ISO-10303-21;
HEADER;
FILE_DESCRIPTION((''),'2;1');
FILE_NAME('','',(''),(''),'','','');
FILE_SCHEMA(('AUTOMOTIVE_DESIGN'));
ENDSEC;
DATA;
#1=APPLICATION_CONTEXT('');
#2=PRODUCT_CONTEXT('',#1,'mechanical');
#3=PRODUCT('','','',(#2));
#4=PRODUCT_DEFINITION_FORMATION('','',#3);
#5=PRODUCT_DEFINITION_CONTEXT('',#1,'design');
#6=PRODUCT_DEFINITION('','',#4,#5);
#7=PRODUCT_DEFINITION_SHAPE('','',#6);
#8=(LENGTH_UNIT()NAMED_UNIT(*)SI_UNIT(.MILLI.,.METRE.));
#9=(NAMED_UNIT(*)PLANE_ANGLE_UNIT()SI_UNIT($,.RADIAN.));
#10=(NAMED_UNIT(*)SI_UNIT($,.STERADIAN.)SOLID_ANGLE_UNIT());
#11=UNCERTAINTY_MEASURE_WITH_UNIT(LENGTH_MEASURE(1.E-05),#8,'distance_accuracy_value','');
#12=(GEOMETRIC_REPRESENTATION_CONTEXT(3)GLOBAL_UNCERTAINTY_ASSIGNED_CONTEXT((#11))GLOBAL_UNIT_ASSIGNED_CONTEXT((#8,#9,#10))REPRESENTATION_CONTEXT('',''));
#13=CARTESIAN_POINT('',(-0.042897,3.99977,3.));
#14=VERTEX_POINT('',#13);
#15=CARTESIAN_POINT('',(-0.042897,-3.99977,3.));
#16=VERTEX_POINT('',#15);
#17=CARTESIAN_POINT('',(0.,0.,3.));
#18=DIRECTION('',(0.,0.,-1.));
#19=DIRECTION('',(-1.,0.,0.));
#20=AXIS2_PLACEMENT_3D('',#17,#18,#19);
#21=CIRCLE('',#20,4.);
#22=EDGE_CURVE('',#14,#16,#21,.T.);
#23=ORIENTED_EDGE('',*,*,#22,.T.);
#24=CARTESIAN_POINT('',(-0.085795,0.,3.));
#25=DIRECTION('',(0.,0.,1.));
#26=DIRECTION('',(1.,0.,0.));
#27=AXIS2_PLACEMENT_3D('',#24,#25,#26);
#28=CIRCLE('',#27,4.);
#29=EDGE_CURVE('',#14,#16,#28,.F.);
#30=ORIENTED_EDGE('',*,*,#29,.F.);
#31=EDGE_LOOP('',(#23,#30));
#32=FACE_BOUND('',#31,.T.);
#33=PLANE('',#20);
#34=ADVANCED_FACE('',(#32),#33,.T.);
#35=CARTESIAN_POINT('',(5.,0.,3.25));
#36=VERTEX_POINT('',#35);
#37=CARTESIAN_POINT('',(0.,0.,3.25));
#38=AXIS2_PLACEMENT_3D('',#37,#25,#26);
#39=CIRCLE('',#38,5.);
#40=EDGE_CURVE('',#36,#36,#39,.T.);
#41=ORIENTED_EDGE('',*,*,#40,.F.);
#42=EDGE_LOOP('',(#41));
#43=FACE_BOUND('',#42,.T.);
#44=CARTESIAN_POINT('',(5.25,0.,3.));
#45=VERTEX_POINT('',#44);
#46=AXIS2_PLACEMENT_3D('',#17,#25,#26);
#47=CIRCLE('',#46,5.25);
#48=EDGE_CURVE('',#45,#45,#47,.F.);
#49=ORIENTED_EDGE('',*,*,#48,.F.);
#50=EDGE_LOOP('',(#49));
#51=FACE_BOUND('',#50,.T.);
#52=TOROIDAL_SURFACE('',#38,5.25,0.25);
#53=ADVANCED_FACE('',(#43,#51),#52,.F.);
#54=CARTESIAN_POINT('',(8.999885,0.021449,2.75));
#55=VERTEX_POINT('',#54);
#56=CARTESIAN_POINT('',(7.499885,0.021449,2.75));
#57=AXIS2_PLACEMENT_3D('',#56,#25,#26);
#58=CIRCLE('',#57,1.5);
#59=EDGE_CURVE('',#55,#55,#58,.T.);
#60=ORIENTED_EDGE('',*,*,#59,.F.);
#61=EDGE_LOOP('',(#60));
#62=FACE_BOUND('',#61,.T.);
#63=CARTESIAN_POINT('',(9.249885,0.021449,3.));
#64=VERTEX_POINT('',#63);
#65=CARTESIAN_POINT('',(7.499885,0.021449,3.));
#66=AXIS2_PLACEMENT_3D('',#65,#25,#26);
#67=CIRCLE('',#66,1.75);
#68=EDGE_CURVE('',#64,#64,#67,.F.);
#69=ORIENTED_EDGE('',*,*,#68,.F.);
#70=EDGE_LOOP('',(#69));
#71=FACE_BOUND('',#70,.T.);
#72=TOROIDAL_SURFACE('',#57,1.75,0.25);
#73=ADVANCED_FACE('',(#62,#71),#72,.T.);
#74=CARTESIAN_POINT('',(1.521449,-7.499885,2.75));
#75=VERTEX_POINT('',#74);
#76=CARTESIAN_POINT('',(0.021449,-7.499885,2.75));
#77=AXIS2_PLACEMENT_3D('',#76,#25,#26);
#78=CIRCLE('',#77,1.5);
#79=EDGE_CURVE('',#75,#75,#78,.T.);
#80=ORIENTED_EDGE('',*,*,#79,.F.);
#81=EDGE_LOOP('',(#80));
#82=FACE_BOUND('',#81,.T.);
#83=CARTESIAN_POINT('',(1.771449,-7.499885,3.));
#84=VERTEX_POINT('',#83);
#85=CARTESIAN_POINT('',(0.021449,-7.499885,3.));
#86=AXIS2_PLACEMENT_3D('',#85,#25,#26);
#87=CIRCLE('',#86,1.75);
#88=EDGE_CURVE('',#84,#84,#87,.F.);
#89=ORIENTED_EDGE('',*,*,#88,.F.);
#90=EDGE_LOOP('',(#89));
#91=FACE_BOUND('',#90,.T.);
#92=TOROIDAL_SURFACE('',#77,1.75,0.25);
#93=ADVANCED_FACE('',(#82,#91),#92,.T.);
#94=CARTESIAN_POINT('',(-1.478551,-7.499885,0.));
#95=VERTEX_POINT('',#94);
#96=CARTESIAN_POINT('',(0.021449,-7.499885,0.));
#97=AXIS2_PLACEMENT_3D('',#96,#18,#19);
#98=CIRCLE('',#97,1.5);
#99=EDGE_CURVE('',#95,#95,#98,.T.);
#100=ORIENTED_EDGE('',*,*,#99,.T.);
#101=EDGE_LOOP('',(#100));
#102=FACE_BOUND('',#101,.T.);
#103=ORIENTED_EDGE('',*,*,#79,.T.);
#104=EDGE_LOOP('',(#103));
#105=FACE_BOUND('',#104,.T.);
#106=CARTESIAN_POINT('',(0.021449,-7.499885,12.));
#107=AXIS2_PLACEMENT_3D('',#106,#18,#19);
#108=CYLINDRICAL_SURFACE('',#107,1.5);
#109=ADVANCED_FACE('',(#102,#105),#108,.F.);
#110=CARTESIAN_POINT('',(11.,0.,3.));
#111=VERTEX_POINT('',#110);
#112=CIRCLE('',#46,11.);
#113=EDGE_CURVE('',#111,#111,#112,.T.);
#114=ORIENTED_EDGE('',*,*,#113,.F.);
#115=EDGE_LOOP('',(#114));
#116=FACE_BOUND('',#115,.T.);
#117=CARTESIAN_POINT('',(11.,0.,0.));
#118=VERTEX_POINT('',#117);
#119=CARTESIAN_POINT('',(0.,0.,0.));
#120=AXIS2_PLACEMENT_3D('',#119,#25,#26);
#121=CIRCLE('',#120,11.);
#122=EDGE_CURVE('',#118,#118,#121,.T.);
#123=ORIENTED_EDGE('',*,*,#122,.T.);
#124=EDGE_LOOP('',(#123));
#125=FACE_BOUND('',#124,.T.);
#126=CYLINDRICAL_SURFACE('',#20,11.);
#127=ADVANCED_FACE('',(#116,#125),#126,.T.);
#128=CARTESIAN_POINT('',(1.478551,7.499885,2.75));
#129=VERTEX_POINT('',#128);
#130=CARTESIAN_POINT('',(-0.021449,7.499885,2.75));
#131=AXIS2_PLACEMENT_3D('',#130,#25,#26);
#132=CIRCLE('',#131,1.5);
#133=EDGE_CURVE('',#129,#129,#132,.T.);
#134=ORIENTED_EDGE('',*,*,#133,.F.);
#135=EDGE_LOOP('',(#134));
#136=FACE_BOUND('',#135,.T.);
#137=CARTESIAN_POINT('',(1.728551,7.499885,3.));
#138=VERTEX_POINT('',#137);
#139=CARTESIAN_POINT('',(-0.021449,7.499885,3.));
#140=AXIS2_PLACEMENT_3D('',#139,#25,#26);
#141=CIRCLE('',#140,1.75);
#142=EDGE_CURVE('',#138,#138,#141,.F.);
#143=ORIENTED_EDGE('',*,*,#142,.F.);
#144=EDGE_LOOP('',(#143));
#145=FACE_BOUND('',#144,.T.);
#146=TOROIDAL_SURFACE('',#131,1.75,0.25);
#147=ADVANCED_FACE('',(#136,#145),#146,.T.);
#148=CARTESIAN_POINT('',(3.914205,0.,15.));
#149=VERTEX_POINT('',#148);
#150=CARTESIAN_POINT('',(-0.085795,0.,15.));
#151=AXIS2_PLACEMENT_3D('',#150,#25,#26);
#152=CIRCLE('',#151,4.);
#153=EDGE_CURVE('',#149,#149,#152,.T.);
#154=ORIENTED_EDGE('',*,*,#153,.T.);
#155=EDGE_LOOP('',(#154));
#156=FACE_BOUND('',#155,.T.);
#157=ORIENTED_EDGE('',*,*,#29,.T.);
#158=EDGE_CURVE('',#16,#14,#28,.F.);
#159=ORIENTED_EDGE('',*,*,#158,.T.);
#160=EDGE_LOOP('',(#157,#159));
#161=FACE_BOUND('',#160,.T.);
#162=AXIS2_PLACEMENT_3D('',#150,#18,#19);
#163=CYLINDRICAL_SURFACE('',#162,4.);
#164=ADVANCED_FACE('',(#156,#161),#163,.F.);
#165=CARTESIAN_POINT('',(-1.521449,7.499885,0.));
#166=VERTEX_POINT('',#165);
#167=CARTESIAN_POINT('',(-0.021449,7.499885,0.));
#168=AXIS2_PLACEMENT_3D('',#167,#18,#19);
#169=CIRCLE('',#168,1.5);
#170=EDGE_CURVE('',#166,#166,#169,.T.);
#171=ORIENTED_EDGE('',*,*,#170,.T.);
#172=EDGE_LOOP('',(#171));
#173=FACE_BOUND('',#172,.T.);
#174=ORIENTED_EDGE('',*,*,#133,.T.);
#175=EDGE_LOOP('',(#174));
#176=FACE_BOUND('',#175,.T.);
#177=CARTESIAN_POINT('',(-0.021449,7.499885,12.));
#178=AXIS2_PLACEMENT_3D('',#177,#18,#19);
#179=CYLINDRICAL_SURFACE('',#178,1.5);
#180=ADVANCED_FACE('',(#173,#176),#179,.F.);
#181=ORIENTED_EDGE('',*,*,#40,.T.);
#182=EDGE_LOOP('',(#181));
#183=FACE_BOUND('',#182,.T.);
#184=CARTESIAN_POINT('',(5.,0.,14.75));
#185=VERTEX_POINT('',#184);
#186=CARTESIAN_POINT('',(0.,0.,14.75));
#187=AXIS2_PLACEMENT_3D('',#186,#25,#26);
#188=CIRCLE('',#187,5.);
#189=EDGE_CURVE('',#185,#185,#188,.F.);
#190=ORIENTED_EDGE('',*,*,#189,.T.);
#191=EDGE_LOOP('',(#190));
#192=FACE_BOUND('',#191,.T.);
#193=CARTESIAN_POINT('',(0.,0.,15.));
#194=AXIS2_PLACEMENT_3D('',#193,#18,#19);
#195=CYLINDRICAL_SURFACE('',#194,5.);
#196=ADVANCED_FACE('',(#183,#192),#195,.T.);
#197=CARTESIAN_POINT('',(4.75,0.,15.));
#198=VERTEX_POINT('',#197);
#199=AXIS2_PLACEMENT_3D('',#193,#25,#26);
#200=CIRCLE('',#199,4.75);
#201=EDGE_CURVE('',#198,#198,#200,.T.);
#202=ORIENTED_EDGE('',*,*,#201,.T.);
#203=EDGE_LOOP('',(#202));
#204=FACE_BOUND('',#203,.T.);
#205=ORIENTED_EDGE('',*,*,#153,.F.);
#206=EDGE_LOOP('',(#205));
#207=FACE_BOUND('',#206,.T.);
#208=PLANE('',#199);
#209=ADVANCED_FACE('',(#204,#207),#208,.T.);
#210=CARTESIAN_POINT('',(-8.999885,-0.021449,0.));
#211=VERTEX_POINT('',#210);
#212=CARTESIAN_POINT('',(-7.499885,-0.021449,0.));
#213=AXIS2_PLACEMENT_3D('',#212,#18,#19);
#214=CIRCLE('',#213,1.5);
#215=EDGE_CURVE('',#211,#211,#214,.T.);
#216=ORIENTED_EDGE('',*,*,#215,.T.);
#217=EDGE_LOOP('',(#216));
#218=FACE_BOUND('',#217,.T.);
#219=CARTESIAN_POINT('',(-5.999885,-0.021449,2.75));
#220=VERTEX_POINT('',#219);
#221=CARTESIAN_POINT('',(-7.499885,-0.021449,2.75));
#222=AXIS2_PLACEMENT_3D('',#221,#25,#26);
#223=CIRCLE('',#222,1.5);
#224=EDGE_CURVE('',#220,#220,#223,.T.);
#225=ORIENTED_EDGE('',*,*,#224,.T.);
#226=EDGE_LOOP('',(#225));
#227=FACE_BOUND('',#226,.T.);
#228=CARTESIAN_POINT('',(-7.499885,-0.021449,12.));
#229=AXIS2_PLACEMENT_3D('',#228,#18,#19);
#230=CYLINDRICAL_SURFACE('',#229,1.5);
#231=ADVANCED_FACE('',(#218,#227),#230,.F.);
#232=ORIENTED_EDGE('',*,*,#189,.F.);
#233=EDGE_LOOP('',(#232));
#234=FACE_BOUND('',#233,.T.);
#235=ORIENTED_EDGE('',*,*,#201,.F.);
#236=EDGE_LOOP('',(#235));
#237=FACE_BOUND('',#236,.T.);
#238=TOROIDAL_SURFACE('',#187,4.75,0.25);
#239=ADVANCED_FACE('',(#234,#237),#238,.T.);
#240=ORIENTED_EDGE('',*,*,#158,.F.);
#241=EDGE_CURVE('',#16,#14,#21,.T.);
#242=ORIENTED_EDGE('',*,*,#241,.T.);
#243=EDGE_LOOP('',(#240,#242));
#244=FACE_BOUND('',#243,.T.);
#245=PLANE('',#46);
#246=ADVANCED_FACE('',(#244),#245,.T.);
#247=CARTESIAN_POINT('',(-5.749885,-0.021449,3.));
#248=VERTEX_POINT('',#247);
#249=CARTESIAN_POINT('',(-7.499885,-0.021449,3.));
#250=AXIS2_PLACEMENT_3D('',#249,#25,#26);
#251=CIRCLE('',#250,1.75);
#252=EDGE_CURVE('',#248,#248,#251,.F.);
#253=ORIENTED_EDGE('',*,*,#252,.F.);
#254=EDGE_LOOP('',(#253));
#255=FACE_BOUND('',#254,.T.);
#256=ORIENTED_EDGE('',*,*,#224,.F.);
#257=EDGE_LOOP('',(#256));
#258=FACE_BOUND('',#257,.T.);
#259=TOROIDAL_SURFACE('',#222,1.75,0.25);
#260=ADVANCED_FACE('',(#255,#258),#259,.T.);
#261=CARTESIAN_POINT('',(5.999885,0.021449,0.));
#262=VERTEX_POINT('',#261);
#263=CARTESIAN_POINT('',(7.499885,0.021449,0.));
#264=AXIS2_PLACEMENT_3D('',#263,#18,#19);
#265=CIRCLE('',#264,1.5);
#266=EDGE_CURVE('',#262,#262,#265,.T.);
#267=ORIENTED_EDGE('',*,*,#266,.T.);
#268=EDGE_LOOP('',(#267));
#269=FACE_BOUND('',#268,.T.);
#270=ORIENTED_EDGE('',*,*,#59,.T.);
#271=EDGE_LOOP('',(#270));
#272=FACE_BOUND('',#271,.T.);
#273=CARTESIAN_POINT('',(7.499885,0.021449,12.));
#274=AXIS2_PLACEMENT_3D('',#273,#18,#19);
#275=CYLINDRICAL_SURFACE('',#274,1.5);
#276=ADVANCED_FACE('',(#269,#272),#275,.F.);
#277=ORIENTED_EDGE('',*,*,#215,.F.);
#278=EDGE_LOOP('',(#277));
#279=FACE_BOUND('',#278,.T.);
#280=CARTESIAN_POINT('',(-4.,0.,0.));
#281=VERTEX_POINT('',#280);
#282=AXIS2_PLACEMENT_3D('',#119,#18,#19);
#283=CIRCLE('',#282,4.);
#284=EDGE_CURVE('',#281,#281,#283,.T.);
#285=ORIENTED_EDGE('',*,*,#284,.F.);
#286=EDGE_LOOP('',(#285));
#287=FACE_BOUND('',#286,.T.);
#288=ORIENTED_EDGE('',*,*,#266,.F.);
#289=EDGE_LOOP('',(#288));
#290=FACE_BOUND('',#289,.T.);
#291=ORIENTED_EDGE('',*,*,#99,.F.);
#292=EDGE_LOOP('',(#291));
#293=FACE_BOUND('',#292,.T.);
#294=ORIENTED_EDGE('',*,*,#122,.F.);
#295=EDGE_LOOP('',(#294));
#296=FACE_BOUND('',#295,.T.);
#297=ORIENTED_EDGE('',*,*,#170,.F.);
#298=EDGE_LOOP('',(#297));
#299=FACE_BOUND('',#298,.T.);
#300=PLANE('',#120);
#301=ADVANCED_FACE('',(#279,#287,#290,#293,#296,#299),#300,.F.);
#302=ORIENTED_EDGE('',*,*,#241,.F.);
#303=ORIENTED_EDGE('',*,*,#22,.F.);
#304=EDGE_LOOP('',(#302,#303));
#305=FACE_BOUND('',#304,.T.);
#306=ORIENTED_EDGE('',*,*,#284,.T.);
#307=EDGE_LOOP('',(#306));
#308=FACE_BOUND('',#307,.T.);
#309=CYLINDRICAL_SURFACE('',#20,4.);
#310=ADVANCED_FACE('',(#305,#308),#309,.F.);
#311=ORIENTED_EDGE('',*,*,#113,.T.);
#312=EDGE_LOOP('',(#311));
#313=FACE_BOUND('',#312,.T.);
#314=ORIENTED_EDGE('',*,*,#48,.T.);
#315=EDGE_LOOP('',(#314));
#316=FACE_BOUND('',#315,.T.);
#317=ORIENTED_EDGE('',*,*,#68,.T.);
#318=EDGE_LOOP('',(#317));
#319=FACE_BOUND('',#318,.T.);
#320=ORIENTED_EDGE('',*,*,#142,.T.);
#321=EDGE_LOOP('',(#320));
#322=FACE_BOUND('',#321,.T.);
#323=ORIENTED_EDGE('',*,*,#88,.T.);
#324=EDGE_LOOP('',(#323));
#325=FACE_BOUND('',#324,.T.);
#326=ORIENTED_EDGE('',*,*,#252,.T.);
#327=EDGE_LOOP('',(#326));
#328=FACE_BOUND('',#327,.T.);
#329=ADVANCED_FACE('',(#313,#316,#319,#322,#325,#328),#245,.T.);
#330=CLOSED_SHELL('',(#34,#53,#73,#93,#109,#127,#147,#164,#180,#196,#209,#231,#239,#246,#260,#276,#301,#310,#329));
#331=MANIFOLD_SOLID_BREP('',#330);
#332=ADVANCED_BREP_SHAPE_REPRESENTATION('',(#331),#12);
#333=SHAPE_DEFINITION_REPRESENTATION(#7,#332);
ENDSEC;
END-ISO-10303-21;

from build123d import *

# Parameters (mm, degrees)
ESQUISSE1_R             = 11
BOSS_EXTRU_1_DEPTH      = 3
ESQUISSE2_R             = 5
ESQUISSE2_R_2           = 4
BOSS_EXTRU_2_DEPTH      = 12
ESQUISSE3_R             = 4
ENL_V_MAT_EXTRU_1_DEPTH = 3
ESQUISSE4_R             = 1.5
ENL_V_MAT_EXTRU_2_DEPTH = 12
CONG_1_R                = 0.25
CONG_2_R                = 0.25
CONG_3_R                = 0.25


with BuildPart() as part:
    # Esquisse1 → Boss.-Extru.1 (new body)
    with BuildSketch(Plane.XY):
        Circle(ESQUISSE1_R)
    extrude(amount=BOSS_EXTRU_1_DEPTH)

    # Esquisse2 → Boss.-Extru.2 (add)
    with BuildSketch(Plane.XY.offset(3)):
        Circle(ESQUISSE2_R)
        with Locations((-0.085794689, 0)):
            Circle(ESQUISSE2_R_2, mode=Mode.SUBTRACT)
    extrude(amount=BOSS_EXTRU_2_DEPTH)

    # Esquisse3 → Enlèv. mat.-Extru.1 (cut)
    with BuildSketch(Plane(origin=(0, 0, 0), x_dir=(-1, 0, 0), z_dir=(0, 0, -1))):
        Circle(ESQUISSE3_R)
    extrude(amount=-ENL_V_MAT_EXTRU_1_DEPTH, mode=Mode.SUBTRACT)

    # Esquisse4 → Enlèv. mat.-Extru.2 (cut)
    with BuildSketch(Plane(origin=(0, 0, 0), x_dir=(-1, 0, 0), z_dir=(0, 0, -1))):
        with Locations((0.021448672, 7.499884985)):
            Circle(ESQUISSE4_R)
        with Locations((7.499884985, -0.021448672)):
            Circle(ESQUISSE4_R)
        with Locations((-0.021448672, -7.499884985)):
            Circle(ESQUISSE4_R)
        with Locations((-7.499884985, 0.021448672)):
            Circle(ESQUISSE4_R)
    extrude(amount=-ENL_V_MAT_EXTRU_2_DEPTH, mode=Mode.SUBTRACT)

    # Congé1
    cong_1_edges = [part.edges().sort_by_distance(p)[0] for p in [
        (1.478551328, 7.499884985, 3),
        (-5.999884985, -0.021448672, 3),
        (1.521448672, -7.499884985, 3),
        (8.999884985, 0.021448672, 3),
    ]]
    fillet(cong_1_edges, radius=CONG_1_R)

    # Congé2
    cong_2_edges = [part.edges().sort_by_distance(p)[0] for p in [
        (-5, 0, 15),
    ]]
    fillet(cong_2_edges, radius=CONG_2_R)

    # Congé3
    cong_3_edges = [part.edges().sort_by_distance(p)[0] for p in [
        (-5, 0, 3),
    ]]
    fillet(cong_3_edges, radius=CONG_3_R)


solid = part.part
